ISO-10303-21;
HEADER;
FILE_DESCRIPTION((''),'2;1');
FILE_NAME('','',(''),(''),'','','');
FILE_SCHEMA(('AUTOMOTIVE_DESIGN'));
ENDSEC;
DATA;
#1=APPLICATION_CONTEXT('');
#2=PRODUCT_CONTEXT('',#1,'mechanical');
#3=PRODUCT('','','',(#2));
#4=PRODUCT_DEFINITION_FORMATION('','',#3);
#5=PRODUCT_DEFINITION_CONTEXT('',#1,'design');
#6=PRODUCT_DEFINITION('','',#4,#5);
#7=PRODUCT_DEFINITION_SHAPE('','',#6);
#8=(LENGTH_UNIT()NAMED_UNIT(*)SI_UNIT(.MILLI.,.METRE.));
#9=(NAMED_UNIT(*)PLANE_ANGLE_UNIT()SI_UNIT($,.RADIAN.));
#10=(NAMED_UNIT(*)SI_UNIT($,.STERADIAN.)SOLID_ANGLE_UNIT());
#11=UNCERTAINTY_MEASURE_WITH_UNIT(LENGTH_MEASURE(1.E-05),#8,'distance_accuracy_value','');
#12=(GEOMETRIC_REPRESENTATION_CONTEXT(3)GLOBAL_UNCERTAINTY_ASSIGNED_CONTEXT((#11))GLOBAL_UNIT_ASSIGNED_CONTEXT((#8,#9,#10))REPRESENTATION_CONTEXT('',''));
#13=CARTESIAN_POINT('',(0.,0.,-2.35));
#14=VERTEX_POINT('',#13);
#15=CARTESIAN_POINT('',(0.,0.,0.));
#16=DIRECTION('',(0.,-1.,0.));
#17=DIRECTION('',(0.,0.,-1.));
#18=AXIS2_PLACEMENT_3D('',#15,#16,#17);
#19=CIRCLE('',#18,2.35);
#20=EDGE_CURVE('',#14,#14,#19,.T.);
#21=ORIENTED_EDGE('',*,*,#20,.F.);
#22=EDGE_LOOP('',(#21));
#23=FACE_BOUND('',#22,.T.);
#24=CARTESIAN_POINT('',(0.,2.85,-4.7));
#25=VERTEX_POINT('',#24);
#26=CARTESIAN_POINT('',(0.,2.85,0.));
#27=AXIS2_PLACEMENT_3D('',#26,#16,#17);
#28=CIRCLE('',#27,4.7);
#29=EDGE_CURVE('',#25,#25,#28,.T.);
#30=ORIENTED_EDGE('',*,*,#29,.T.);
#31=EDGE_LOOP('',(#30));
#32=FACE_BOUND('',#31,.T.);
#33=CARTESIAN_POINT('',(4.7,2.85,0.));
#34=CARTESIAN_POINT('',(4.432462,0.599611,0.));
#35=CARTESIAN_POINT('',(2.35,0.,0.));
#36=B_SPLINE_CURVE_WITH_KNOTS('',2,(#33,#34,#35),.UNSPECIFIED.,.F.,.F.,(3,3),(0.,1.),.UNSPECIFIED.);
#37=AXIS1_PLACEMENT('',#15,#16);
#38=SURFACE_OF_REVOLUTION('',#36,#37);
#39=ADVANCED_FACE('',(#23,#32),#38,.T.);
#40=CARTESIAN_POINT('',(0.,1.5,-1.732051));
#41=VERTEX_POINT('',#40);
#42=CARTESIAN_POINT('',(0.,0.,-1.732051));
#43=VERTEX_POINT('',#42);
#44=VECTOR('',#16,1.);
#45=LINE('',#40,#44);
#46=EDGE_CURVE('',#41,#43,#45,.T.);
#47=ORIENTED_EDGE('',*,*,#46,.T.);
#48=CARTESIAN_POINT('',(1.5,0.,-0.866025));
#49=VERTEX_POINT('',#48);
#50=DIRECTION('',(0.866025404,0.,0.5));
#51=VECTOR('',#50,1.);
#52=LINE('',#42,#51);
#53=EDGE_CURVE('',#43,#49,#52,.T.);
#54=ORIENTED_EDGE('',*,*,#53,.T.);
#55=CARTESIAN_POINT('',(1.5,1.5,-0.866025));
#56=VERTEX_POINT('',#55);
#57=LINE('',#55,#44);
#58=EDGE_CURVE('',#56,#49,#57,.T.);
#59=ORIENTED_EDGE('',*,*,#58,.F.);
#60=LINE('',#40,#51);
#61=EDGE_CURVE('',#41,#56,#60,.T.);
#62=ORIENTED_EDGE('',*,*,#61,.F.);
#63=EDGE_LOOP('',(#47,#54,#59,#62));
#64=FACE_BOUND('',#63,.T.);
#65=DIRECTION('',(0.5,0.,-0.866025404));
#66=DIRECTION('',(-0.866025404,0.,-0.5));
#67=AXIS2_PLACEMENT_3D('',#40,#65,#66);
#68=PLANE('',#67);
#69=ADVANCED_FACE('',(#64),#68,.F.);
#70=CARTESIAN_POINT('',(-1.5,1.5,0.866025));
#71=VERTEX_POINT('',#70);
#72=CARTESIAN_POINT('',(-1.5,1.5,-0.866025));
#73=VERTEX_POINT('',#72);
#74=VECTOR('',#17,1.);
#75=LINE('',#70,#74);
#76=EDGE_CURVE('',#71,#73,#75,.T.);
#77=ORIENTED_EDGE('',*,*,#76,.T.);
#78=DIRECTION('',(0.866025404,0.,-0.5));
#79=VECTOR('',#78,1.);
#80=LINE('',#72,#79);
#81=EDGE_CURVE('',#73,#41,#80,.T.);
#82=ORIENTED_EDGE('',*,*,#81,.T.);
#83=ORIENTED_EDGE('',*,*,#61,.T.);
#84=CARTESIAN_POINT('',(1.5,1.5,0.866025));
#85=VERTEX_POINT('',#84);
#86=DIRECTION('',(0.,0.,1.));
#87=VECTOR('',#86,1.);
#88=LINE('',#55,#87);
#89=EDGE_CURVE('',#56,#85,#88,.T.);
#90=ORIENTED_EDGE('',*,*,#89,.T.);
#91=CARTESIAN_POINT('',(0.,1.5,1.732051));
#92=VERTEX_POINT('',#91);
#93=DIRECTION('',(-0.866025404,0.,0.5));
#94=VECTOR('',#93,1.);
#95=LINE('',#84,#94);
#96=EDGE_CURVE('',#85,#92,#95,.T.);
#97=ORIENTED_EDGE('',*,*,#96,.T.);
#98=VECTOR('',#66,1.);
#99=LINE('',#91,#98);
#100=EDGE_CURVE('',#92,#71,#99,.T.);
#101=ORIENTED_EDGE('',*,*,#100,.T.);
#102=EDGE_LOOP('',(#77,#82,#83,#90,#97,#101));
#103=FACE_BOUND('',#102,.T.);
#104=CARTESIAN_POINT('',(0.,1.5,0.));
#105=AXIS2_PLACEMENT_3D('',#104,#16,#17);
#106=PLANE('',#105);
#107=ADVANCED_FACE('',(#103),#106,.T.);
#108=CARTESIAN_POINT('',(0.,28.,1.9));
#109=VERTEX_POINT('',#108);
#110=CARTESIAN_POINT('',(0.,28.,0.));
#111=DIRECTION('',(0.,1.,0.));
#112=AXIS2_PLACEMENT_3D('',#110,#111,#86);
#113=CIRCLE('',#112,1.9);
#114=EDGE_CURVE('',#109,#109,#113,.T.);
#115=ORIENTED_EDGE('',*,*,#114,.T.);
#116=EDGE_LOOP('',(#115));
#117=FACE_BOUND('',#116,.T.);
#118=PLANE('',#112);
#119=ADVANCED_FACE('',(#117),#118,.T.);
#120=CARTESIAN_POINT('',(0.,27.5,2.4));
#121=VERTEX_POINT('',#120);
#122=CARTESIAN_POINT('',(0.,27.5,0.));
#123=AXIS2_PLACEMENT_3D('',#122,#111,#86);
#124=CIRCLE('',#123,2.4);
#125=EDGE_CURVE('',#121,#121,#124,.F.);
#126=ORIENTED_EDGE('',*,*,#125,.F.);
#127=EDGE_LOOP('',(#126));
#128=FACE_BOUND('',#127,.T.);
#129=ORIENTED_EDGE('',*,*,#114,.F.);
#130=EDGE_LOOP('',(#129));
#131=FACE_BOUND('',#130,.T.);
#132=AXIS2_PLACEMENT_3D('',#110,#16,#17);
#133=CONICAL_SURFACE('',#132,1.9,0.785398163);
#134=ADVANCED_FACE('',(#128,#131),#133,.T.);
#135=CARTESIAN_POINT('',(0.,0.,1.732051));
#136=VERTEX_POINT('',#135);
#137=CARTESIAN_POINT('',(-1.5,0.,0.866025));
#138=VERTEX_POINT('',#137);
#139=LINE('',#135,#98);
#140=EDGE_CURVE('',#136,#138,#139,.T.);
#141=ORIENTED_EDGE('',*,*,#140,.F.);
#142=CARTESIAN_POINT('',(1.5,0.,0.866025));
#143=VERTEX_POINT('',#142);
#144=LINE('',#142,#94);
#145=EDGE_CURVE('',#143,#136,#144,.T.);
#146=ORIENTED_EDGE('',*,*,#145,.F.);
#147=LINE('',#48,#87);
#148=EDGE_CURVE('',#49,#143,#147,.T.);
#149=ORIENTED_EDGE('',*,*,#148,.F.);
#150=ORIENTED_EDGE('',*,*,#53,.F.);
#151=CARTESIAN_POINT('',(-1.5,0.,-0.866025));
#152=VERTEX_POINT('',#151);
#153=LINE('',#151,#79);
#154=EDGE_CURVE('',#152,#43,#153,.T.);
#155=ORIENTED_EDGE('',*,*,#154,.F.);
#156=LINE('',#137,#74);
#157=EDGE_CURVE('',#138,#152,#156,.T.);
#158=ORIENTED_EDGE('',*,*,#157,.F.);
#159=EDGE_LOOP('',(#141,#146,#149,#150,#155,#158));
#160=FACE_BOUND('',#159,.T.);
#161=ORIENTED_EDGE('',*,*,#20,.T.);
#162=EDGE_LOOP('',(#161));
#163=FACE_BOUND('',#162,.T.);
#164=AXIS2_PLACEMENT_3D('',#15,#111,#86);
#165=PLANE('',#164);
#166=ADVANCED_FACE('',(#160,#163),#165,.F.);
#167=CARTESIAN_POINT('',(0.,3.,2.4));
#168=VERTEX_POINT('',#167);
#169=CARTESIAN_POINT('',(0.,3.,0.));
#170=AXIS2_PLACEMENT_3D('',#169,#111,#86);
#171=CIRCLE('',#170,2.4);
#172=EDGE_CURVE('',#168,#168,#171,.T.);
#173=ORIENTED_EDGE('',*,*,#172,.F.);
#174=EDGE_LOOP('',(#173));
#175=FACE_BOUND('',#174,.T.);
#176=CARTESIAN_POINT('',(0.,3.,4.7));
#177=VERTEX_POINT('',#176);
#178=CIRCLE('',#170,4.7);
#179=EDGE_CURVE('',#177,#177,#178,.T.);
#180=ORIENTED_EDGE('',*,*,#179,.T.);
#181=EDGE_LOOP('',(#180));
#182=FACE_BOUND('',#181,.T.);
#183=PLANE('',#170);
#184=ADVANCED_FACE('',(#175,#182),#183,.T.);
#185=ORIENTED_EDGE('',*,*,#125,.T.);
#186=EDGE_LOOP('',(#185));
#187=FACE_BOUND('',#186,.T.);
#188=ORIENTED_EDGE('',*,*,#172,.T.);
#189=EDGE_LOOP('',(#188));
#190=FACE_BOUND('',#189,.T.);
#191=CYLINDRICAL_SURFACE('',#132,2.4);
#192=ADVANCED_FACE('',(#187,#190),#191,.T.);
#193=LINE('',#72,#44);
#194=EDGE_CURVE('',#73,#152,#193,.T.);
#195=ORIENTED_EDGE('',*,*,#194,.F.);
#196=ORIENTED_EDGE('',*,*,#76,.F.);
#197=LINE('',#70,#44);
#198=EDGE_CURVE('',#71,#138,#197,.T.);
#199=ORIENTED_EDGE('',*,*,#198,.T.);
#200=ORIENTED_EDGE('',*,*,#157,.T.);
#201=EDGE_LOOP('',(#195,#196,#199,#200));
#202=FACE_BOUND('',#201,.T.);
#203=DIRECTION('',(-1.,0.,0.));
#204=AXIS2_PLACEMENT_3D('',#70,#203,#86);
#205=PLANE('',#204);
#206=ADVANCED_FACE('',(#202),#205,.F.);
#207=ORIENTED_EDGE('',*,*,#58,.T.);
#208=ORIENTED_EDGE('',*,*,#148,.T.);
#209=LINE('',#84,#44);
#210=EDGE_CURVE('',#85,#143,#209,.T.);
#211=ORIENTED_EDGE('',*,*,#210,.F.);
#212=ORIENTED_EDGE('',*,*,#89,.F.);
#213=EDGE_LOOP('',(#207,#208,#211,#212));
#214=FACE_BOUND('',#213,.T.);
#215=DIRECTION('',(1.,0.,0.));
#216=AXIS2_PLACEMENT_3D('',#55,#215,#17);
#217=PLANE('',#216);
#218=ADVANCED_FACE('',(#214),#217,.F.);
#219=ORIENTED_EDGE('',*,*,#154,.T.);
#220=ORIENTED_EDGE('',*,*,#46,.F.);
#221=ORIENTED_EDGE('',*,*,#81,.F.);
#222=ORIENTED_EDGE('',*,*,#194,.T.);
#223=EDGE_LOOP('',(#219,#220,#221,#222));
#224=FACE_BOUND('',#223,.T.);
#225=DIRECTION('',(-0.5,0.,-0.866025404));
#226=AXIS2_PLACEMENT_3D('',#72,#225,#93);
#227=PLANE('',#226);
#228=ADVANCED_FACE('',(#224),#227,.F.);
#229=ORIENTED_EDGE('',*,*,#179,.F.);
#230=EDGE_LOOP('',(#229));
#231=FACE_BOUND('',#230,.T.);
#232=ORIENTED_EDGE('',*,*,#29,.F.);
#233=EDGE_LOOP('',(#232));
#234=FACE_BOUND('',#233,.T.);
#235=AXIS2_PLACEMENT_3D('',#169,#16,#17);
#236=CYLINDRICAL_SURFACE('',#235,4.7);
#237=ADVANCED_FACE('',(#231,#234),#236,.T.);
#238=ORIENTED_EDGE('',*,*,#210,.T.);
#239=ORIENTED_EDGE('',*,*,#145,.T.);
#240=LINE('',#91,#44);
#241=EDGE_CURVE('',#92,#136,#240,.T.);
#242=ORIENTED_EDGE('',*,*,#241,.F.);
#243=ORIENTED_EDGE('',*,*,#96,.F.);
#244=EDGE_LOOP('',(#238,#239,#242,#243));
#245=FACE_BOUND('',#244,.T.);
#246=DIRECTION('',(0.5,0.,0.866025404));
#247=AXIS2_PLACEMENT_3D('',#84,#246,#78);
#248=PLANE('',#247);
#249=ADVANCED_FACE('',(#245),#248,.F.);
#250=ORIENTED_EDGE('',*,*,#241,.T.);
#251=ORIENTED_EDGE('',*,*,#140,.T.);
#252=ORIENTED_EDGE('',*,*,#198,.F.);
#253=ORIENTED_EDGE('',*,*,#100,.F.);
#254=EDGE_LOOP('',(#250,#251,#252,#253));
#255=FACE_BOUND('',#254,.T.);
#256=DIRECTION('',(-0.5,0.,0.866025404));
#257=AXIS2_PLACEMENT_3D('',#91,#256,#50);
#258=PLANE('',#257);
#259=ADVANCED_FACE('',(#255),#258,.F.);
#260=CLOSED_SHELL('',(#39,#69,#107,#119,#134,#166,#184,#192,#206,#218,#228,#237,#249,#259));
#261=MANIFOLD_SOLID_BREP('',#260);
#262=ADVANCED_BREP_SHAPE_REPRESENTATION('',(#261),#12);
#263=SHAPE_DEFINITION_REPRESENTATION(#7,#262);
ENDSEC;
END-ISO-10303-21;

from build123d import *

# Parameters (mm, degrees)
SKETCH1_R           = 4.7
BOSS_EXTRUDE1_DEPTH = 3
SKETCH2_R           = 2.4
BOSS_EXTRUDE2_DEPTH = 25
CUT_EXTRUDE1_DEPTH  = 1.5
CHAMFER1_SIZE       = 0.5


with BuildPart() as part:
    # Sketch1 → Boss-Extrude1 (new body)
    with BuildSketch(Plane(origin=(0, 0, 0), x_dir=(1, 0, 0), z_dir=(0, 1, 0))):
        Circle(SKETCH1_R)
    extrude(amount=BOSS_EXTRUDE1_DEPTH)

    # Sketch2 → Boss-Extrude2 (add)
    with BuildSketch(Plane(origin=(0, 3, 0), x_dir=(1, 0, 0), z_dir=(0, 1, 0))):
        Circle(SKETCH2_R)
    extrude(amount=BOSS_EXTRUDE2_DEPTH)

    # Sketch3 → Cut-Revolve1 (revolve, cut)
    with BuildSketch(Plane.XY):
        with BuildLine():
            Line((2.35, 0), (4.7, 0))
            Line((4.7, 0), (4.7, 2.85))
            add(Edge.make_bspline(
                [(2.35, 0), (4.432462228, 0.599611143), (4.7, 2.85)],
                knots=[0, 0, 0, 1, 1, 1], degree=2))
        make_face()
    revolve(axis=Axis((0, 0, 0), (0, 1, 0)), mode=Mode.SUBTRACT)

    # Sketch4 → Cut-Extrude1 (cut)
    with BuildSketch(Plane.XZ):
        Polygon((0, 1.732050808), (-1.5, 0.866025404), (-1.5, -0.866025404), (0, -1.732050808), (1.5, -0.866025404), (1.5, 0.866025404), align=None)
    extrude(amount=-CUT_EXTRUDE1_DEPTH, mode=Mode.SUBTRACT)

    # Chamfer1
    chamfer1_edges = [part.edges().sort_by_distance(p)[0] for p in [
        (-2.4, 28, 0),
    ]]
    chamfer(chamfer1_edges, length=CHAMFER1_SIZE)


solid = part.part
